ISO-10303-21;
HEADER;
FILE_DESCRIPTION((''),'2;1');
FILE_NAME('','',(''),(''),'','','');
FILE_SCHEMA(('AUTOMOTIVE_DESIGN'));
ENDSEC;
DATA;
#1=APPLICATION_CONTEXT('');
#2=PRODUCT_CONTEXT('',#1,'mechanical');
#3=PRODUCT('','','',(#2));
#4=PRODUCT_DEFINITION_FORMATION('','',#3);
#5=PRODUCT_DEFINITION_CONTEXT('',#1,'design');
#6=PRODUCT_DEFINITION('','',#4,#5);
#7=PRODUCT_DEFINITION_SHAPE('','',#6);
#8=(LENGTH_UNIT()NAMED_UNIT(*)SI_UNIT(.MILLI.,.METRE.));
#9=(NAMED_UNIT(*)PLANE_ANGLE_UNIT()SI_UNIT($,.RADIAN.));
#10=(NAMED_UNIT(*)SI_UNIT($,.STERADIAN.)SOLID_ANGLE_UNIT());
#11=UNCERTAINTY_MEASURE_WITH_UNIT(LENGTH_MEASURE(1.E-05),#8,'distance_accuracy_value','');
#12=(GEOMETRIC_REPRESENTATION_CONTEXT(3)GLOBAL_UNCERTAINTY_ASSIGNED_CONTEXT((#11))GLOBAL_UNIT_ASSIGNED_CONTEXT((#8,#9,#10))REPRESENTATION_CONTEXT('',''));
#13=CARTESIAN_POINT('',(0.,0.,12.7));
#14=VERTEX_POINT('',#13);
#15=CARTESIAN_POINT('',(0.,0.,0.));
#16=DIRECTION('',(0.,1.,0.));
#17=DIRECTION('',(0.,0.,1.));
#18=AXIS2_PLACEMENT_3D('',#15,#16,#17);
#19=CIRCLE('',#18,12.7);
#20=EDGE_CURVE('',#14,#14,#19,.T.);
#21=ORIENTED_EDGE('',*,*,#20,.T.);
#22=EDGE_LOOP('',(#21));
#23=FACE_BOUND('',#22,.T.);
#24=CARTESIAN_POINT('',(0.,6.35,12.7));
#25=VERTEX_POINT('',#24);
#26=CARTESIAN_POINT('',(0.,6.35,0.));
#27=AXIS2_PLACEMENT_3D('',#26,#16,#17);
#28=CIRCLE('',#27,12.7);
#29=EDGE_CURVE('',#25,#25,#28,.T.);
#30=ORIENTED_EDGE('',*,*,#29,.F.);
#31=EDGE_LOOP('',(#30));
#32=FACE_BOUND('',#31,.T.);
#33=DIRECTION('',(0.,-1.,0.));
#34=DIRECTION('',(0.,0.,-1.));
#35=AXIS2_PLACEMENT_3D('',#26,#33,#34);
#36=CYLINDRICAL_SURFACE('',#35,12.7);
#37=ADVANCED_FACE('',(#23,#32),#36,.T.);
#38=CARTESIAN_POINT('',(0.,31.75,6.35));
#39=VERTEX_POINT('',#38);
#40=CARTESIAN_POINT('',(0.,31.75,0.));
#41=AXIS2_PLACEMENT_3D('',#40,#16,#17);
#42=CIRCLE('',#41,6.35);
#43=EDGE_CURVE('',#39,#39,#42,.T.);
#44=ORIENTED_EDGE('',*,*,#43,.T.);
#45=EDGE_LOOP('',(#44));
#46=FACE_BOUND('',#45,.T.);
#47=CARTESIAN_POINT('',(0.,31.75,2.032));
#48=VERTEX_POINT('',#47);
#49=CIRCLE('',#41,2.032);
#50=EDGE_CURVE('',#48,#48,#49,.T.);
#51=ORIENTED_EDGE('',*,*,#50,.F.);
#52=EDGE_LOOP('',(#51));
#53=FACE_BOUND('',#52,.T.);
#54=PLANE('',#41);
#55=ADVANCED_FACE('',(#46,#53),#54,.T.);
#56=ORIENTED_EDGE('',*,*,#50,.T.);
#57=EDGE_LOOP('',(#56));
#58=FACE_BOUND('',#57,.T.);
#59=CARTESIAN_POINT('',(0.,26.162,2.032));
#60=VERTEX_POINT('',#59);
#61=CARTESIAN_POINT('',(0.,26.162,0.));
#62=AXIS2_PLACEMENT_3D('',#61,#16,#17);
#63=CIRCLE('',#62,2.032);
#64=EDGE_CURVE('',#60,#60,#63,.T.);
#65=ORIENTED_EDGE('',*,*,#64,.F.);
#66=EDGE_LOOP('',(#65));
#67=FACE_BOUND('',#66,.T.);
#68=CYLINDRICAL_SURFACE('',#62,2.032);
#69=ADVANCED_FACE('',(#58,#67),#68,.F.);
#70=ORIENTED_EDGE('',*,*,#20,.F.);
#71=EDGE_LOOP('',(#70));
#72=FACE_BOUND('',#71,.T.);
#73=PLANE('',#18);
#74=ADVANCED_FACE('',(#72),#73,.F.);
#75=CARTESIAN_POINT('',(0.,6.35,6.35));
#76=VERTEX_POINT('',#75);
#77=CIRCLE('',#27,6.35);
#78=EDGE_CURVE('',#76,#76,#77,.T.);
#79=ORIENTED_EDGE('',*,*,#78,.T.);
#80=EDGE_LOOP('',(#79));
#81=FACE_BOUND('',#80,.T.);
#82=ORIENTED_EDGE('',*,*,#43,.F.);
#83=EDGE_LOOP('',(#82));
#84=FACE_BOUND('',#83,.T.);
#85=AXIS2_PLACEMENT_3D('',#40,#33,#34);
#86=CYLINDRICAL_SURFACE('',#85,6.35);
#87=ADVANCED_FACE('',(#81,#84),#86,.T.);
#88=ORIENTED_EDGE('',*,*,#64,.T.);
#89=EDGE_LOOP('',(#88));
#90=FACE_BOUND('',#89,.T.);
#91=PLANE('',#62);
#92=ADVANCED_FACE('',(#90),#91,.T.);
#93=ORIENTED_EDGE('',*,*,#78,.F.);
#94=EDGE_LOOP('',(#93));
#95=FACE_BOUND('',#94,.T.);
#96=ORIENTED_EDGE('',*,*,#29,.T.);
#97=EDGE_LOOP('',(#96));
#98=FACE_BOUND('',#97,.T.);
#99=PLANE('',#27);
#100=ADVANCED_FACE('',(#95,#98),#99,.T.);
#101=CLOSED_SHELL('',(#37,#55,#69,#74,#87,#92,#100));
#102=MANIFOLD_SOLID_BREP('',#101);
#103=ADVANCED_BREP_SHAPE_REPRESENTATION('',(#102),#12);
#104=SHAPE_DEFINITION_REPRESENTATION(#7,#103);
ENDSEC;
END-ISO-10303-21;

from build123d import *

# Parameters (mm, degrees)
SKETCH1_R           = 12.7
BOSS_EXTRUDE1_DEPTH = 6.35
SKETCH2_R           = 6.35
BOSS_EXTRUDE2_DEPTH = 25.4
SKETCH3_R           = 2.032
CUT_EXTRUDE1_DEPTH  = 5.588


with BuildPart() as part:
    # Sketch1 → Boss-Extrude1 (new body)
    with BuildSketch(Plane(origin=(0, 0, 0), x_dir=(1, 0, 0), z_dir=(0, 1, 0))):
        Circle(SKETCH1_R)
    extrude(amount=BOSS_EXTRUDE1_DEPTH)

    # Sketch2 → Boss-Extrude2 (add)
    with BuildSketch(Plane(origin=(0, 6.35, 0), x_dir=(1, 0, 0), z_dir=(0, 1, 0))):
        Circle(SKETCH2_R)
    extrude(amount=BOSS_EXTRUDE2_DEPTH)

    # Sketch3 → Cut-Extrude1 (cut)
    with BuildSketch(Plane(origin=(0, 31.75, 0), x_dir=(1, 0, 0), z_dir=(0, 1, 0))):
        Circle(SKETCH3_R)
    extrude(amount=-CUT_EXTRUDE1_DEPTH, mode=Mode.SUBTRACT)


solid = part.part
